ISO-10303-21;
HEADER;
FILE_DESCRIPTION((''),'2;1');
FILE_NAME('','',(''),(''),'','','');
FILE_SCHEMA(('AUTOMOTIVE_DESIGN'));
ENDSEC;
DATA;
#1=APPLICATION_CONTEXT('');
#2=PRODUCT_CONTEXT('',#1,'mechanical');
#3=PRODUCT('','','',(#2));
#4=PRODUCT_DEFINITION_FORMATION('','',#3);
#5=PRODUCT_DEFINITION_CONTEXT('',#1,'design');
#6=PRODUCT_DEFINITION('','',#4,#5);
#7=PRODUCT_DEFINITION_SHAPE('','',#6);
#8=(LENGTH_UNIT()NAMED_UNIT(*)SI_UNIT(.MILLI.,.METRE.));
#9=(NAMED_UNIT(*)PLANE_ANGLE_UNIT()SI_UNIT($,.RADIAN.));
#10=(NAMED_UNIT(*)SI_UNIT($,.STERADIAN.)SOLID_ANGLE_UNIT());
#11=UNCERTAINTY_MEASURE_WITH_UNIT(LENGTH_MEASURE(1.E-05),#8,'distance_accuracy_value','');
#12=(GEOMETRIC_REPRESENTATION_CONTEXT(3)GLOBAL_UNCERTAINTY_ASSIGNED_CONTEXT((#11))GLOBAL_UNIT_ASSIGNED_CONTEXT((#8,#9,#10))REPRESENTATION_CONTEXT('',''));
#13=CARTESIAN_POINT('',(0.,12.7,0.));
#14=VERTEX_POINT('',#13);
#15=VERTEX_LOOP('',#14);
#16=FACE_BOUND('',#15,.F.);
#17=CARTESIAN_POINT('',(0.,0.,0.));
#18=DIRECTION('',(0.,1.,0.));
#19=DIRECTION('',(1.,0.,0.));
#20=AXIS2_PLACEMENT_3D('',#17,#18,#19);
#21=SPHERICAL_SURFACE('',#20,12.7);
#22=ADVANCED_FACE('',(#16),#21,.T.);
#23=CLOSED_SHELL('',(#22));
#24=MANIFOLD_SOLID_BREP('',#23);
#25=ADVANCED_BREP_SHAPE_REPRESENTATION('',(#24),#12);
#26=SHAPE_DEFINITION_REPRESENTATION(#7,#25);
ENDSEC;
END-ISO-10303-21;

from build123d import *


with BuildPart() as part:
    # Sketch1 → Revolve4 (revolve)
    with BuildSketch(Plane.XY):
        with BuildLine():
            Line((0, 12.7), (0, -12.7))
            ThreePointArc((0, -12.7), (12.7, 0), (0, 12.7))
        make_face()
    revolve(axis=Axis((0, 12.7, 0), (0, -1, 0)))


solid = part.part
